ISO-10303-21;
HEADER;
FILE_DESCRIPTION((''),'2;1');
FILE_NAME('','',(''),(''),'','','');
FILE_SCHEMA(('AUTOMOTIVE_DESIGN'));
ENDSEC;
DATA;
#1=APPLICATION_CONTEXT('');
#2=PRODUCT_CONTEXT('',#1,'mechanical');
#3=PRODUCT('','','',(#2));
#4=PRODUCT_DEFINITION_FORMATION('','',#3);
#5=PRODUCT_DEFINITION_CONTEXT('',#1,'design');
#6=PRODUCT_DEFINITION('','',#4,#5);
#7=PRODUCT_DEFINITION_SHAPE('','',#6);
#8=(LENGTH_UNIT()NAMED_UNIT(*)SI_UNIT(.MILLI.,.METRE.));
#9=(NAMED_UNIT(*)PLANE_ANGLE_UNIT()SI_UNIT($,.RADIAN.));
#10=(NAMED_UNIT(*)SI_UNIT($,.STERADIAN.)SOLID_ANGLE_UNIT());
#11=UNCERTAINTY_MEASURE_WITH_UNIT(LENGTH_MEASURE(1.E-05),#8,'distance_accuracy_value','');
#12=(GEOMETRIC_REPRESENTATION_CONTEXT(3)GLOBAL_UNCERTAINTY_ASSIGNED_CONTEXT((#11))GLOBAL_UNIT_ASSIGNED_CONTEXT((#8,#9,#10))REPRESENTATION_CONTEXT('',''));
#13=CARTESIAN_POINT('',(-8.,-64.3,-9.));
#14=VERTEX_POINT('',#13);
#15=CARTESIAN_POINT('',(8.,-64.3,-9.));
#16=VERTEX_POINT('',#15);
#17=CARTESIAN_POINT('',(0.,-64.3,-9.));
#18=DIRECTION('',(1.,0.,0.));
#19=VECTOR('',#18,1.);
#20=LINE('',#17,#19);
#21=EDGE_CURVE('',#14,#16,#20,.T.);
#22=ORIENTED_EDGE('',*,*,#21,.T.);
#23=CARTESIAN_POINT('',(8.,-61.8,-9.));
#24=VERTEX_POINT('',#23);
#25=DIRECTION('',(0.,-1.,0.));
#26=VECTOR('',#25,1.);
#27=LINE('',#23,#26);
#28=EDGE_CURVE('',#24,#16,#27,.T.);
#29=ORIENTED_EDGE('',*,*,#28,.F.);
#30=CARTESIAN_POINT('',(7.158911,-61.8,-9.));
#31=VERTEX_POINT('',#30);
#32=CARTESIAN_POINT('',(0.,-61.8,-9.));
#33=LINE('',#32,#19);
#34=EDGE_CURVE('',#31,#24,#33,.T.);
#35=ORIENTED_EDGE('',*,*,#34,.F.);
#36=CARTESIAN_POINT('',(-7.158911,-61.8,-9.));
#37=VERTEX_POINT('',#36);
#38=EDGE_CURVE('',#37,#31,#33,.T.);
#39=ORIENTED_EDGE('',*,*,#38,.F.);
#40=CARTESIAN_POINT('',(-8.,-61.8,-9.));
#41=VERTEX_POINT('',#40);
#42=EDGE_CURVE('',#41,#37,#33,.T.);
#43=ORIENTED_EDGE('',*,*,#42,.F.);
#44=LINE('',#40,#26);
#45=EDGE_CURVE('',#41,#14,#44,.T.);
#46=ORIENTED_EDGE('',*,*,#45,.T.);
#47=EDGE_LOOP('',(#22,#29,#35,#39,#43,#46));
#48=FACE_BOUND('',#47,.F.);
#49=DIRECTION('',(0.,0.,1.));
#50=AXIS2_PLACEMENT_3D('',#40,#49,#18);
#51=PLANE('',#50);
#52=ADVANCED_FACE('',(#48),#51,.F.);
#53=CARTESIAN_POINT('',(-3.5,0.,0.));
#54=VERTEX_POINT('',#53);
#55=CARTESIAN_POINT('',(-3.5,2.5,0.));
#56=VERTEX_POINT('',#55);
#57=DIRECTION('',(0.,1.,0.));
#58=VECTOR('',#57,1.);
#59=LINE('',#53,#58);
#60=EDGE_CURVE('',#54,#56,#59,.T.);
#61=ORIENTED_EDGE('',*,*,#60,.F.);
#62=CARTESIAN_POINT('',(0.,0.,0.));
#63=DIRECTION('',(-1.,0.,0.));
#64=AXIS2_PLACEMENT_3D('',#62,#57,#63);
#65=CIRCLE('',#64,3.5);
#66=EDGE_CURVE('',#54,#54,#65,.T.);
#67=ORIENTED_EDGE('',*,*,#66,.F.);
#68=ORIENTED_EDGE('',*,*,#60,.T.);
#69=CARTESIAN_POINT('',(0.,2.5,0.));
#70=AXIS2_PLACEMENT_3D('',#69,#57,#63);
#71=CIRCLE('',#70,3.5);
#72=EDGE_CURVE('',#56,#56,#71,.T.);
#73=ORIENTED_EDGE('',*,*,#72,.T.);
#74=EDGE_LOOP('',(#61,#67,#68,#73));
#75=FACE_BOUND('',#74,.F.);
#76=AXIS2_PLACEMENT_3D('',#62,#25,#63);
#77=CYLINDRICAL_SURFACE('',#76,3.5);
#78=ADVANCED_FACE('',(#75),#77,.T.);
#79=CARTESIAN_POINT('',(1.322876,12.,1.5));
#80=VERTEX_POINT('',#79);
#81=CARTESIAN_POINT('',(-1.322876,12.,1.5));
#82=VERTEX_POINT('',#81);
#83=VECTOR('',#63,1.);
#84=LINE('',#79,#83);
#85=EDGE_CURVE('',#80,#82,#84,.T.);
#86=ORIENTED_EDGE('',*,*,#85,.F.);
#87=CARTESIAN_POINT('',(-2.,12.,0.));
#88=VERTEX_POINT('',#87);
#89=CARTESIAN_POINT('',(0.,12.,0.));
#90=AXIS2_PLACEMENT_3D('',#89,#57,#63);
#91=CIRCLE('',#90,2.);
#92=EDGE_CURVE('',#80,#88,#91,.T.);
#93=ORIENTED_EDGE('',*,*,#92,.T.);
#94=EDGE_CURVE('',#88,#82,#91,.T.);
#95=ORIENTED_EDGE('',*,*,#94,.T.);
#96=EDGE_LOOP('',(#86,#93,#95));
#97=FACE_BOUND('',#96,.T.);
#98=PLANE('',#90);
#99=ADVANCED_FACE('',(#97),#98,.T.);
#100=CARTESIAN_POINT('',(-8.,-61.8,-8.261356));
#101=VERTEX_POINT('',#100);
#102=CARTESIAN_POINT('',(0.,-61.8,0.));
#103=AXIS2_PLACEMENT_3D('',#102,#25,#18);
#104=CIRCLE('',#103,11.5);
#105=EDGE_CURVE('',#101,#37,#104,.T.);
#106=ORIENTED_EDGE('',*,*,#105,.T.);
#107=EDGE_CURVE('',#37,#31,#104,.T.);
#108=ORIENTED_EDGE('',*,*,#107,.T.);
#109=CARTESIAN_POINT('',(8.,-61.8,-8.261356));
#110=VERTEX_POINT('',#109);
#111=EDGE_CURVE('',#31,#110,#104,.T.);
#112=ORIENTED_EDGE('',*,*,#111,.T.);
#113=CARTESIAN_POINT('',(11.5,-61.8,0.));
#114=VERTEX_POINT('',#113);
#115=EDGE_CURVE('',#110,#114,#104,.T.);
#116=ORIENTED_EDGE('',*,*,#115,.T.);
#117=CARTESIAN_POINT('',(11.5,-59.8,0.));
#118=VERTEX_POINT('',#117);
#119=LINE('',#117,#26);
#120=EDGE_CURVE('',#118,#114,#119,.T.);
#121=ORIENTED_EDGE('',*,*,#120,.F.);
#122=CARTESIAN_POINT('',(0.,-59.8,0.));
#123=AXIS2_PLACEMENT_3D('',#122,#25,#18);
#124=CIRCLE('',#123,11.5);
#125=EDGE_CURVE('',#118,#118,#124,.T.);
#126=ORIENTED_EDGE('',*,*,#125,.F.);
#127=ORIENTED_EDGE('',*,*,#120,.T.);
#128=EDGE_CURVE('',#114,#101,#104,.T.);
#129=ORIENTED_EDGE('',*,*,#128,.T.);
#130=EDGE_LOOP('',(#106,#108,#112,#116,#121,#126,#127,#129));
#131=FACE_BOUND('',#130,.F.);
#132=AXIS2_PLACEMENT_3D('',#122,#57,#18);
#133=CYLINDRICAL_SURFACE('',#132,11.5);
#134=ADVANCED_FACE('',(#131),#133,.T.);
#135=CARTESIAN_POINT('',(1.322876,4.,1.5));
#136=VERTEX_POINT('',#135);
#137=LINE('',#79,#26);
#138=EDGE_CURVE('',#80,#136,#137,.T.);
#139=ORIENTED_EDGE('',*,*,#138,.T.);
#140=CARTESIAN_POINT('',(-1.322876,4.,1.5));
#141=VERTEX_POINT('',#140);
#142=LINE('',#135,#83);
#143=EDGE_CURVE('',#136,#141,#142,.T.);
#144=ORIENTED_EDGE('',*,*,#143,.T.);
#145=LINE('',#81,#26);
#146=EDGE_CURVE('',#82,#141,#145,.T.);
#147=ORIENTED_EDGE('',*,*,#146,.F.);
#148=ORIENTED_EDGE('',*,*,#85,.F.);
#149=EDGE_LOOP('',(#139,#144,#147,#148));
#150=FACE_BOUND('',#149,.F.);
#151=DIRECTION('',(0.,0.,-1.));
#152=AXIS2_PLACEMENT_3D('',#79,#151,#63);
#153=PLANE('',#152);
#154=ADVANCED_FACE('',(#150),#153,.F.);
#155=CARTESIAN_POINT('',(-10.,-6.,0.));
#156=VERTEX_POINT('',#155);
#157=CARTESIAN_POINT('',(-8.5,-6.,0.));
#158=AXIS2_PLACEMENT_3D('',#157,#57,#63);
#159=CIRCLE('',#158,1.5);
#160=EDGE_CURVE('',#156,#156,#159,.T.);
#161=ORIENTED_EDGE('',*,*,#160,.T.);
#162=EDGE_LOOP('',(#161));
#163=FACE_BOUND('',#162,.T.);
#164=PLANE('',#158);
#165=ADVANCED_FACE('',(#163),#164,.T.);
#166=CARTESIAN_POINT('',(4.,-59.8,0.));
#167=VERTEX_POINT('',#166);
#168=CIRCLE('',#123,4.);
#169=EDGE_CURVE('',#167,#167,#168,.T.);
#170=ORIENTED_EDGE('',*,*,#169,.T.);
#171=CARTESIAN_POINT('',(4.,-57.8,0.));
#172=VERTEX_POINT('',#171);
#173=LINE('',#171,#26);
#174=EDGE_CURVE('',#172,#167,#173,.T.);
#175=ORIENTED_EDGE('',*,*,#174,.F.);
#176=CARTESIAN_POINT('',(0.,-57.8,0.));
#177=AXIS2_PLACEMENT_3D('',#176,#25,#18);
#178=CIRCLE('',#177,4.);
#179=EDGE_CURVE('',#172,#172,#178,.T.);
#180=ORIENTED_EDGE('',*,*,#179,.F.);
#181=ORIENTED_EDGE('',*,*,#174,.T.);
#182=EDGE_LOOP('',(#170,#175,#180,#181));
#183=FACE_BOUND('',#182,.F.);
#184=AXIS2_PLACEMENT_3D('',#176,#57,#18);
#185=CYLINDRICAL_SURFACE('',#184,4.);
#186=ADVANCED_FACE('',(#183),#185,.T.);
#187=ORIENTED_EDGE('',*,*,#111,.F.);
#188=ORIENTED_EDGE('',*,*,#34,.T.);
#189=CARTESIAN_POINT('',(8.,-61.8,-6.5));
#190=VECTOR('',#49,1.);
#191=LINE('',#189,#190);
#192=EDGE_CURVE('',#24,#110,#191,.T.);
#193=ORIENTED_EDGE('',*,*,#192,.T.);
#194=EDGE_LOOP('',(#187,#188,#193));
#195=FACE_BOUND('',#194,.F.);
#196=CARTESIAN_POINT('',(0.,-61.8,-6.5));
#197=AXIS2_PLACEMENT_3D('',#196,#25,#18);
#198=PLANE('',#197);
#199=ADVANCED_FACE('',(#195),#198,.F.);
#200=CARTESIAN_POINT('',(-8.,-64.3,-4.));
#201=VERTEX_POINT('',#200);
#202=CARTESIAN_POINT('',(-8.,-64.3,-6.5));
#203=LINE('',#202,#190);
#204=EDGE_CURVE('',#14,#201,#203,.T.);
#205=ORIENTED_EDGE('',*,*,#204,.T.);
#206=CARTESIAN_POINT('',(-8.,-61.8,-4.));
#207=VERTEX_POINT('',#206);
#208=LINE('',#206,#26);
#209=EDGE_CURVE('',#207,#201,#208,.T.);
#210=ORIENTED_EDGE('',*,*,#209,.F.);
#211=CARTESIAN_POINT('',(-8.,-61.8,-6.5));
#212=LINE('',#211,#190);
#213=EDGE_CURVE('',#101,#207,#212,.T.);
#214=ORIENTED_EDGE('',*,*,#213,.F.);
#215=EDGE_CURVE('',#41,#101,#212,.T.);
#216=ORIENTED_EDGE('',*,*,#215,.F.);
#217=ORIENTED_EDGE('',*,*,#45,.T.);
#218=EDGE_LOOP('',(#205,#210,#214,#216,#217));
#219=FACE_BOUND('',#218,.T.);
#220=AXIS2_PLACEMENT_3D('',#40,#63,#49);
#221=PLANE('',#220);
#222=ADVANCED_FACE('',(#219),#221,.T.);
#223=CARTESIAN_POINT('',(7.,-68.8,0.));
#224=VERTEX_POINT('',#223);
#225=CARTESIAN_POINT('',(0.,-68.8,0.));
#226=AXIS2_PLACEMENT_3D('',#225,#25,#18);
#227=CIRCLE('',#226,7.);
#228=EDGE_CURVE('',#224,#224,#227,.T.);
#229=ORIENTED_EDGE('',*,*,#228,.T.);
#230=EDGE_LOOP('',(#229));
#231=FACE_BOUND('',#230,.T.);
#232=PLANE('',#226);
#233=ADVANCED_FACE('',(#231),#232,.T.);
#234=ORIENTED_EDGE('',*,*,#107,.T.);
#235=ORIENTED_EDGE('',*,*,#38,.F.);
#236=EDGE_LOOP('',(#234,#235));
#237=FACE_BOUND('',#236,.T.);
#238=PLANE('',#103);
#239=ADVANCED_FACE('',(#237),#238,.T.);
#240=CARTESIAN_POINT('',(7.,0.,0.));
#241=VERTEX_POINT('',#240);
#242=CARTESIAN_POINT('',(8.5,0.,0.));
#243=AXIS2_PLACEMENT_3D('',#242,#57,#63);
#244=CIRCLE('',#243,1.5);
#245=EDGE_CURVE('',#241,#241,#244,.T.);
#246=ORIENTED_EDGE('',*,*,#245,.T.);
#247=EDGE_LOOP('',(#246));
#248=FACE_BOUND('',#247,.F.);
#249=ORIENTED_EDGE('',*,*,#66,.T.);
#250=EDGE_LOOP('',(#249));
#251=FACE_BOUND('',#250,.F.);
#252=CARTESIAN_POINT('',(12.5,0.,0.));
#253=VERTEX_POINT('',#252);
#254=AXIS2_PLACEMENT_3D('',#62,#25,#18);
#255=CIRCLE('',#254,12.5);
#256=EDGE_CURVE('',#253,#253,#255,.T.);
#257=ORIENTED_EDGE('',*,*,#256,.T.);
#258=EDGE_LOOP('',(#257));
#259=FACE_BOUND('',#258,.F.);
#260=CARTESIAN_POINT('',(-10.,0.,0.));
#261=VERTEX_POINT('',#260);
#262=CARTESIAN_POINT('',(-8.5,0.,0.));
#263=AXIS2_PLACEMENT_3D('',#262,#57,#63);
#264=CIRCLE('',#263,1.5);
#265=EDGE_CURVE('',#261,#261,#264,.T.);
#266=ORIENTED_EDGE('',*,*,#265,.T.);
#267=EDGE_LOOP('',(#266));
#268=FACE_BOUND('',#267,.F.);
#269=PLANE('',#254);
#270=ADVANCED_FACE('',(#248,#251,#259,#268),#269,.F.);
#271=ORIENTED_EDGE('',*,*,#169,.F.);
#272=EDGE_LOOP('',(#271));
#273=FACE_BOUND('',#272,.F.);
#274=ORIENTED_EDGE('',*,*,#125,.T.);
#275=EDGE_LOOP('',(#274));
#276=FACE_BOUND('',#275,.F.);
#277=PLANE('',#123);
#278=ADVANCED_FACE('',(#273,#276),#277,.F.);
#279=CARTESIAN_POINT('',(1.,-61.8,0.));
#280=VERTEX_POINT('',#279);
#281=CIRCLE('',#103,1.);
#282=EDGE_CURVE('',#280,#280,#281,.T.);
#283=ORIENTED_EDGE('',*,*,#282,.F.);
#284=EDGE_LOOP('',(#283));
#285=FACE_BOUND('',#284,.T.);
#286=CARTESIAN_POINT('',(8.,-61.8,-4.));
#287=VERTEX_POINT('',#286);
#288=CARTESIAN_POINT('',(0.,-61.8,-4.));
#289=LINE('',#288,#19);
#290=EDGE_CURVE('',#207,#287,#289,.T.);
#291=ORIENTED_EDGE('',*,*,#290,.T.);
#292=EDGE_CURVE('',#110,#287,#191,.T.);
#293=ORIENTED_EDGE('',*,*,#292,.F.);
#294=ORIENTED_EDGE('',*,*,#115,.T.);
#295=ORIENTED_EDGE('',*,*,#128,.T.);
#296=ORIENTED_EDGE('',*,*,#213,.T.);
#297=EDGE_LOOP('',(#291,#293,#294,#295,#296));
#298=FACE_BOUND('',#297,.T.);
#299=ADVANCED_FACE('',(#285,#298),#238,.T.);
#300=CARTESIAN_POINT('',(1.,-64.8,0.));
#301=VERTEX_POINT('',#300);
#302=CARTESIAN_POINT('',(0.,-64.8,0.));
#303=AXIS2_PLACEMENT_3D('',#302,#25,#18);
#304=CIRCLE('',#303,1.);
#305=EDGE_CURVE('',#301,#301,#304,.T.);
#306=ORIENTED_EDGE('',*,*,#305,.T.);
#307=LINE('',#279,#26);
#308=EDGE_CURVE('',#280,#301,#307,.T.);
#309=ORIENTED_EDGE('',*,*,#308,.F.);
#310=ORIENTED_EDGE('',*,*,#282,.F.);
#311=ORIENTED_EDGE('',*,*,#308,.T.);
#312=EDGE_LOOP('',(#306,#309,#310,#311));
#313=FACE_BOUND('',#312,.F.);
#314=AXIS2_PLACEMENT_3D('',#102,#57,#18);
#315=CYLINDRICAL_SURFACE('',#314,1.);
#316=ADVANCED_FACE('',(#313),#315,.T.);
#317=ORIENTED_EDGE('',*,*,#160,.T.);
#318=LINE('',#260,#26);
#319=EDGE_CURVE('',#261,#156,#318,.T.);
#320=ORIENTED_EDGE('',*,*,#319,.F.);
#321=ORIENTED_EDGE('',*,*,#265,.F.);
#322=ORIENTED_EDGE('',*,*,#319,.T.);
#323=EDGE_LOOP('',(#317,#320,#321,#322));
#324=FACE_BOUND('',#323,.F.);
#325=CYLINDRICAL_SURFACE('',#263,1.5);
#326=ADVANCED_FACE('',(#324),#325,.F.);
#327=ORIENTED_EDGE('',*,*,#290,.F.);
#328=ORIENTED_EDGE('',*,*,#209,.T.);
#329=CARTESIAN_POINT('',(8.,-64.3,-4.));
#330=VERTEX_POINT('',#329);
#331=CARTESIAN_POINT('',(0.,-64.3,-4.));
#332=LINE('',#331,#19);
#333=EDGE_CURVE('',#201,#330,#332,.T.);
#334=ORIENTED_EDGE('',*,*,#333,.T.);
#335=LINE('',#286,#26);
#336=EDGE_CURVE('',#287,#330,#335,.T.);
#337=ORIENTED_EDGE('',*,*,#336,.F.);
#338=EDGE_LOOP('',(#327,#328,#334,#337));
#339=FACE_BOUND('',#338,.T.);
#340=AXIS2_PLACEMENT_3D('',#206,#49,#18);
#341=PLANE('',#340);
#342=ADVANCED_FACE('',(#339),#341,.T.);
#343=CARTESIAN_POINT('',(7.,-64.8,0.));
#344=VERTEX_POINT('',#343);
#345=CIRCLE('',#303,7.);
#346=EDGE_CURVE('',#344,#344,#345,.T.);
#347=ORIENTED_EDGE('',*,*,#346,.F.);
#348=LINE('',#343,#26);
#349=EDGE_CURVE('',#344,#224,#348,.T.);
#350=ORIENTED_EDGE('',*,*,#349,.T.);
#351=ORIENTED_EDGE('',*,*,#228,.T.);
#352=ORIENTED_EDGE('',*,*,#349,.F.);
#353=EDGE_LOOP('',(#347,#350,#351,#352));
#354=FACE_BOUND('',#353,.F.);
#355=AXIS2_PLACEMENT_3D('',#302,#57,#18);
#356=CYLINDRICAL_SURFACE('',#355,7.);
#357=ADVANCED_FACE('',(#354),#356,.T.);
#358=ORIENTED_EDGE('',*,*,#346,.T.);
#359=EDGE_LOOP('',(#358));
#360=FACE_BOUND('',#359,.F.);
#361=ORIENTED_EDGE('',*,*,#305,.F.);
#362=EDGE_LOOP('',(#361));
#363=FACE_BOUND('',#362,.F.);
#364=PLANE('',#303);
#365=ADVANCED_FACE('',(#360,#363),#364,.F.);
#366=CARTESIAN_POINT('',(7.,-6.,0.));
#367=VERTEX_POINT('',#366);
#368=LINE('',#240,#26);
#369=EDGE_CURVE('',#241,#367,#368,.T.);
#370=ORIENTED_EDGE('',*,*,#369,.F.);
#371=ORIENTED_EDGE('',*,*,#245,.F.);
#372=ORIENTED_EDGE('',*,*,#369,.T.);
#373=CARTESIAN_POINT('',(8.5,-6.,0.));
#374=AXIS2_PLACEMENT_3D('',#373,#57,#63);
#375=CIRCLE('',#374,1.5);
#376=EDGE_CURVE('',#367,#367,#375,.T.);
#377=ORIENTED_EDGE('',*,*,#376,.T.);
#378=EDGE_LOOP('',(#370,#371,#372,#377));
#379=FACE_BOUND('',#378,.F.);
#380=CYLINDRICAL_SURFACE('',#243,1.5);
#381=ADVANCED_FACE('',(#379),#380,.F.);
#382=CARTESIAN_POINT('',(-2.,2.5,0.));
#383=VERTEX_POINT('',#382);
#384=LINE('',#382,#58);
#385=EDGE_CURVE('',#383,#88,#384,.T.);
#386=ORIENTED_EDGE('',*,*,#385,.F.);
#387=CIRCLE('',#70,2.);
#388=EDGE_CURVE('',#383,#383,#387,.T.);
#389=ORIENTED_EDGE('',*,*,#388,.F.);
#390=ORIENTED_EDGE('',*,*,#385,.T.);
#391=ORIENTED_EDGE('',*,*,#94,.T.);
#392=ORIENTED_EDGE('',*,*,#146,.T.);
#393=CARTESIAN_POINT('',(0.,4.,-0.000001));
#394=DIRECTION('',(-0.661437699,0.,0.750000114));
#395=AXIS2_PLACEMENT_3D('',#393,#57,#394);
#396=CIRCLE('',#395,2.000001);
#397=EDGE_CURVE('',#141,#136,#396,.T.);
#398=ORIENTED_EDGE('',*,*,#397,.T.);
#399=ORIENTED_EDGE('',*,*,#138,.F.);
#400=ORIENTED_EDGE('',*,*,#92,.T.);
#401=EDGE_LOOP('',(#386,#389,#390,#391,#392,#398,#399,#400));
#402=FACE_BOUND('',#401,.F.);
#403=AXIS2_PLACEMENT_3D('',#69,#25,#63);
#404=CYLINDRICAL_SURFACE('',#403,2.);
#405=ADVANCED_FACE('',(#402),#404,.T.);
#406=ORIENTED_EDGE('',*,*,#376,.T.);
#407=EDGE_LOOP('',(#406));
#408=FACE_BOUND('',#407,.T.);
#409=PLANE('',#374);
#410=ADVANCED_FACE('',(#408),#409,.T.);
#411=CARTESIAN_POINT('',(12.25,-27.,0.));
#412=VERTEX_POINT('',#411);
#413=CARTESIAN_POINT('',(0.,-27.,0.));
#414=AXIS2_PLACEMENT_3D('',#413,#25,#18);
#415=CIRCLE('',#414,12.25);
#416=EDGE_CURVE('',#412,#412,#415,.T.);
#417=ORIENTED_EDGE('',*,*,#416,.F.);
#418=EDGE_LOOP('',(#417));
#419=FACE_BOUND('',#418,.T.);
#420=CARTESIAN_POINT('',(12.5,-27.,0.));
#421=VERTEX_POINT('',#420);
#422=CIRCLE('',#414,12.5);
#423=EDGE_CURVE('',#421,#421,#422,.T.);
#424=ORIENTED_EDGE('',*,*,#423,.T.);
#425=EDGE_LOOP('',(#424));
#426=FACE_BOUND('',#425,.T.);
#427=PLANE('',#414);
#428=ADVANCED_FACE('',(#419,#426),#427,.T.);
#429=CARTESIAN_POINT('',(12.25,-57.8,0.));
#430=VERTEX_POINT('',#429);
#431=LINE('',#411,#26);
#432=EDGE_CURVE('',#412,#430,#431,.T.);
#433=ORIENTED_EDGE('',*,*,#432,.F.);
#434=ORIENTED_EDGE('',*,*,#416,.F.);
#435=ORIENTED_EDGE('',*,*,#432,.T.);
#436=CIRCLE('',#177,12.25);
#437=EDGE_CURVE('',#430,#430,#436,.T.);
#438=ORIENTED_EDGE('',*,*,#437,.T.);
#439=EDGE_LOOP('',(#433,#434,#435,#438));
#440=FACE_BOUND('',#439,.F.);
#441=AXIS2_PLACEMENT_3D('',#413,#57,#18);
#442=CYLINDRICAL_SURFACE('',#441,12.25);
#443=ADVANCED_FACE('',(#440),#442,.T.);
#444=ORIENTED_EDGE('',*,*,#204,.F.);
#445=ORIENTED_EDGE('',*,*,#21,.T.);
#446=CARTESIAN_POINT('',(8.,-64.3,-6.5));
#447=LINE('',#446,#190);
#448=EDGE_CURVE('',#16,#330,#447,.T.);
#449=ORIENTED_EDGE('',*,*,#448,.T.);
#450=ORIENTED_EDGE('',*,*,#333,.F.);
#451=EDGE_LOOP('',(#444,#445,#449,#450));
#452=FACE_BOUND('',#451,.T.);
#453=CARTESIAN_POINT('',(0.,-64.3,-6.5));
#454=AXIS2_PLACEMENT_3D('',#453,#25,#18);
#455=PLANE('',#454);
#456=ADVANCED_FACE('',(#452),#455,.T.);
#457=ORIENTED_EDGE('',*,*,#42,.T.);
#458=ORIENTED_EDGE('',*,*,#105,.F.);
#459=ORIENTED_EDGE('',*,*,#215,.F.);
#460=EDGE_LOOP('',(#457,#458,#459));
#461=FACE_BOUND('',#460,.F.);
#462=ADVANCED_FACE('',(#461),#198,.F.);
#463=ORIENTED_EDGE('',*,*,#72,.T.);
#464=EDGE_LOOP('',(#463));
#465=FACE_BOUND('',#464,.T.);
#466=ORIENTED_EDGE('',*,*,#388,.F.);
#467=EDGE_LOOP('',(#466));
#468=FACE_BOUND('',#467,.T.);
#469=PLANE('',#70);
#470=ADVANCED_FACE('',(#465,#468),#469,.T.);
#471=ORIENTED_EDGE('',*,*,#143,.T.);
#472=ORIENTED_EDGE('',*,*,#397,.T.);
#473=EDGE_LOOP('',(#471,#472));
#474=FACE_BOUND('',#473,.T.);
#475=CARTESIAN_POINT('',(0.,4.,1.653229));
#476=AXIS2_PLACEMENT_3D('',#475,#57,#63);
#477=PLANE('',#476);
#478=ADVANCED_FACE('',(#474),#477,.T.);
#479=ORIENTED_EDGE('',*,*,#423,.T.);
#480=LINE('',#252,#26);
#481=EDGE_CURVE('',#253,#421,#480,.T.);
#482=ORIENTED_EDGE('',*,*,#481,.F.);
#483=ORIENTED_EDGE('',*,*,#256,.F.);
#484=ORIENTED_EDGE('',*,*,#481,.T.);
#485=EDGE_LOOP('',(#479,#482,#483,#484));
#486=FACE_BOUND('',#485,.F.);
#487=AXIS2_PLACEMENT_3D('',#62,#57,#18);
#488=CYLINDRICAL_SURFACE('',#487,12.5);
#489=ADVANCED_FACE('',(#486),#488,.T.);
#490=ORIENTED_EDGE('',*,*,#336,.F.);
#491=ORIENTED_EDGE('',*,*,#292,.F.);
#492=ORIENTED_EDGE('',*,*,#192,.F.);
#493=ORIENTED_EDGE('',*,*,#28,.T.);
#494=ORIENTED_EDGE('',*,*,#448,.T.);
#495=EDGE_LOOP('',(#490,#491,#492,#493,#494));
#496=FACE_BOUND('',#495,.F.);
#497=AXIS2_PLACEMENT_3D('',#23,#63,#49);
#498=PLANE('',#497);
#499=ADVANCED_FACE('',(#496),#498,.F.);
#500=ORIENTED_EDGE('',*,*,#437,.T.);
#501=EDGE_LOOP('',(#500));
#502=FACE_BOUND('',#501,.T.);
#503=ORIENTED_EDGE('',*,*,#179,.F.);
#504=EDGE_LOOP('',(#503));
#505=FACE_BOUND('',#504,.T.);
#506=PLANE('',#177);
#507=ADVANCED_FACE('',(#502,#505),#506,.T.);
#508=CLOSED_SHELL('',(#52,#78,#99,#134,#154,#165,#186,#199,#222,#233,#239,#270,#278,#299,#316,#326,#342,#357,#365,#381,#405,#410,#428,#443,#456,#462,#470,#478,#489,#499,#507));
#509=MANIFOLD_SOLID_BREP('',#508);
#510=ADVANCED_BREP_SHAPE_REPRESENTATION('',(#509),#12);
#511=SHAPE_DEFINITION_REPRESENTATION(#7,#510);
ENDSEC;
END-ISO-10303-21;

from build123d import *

# Parameters (mm, degrees)
F0_R      = 12.5
F1_DEPTH  = 27
F2_R      = 12.25
F3_DEPTH  = 30.8
F4_R      = 3.5
F5_DEPTH  = 2.5
F6_R      = 2
F7_DEPTH  = 9.5
F9_DEPTH  = 8
F10_R     = 1.5
F11_DEPTH = 6
F12_R     = 4
F13_DEPTH = 2
F14_R     = 11.5
F15_DEPTH = 2
F16_R     = 1
F17_DEPTH = 3
F18_R     = 7
F19_DEPTH = 4
F20_W     = 16
F20_H     = 5
F21_DEPTH = 2.5


with BuildPart() as f1:
    # F0 (on Front) → F1 (new body)
    with BuildSketch(Plane.XZ):
        Circle(F0_R)
    extrude(amount=F1_DEPTH)

    # F2 (on face) → F3 (join)
    with BuildSketch(Plane.XZ.offset(27)):
        Circle(F2_R)
    extrude(amount=F3_DEPTH)

    # F4 (on face) → F5 (join)
    with BuildSketch(Plane(origin=(0, 0, 0), x_dir=(-1, 0, 0), z_dir=(0, 1, 0))):
        Circle(F4_R)
    extrude(amount=F5_DEPTH)

    # F6 (on face) → F7 (join)
    with BuildSketch(Plane(origin=(0, 2.5, 0), x_dir=(-1, 0, 0), z_dir=(0, 1, 0))):
        Circle(F6_R)
    extrude(amount=F7_DEPTH)

    # F8 (on face) → F9 (cut)
    with BuildSketch(Plane(origin=(0, 12, 0), x_dir=(-1, 0, 0), z_dir=(0, 1, 0))):
        with BuildLine():
            ThreePointArc((1.322876, 1.5), (0, 2), (-1.322876, 1.5))
            Line((-1.322876, 1.5), (1.322876, 1.5))
        make_face()
    extrude(amount=-F9_DEPTH, mode=Mode.SUBTRACT)

    # F10 (on face) → F11 (cut)
    with BuildSketch(Plane(origin=(0, 0, 0), x_dir=(-1, 0, 0), z_dir=(0, 1, 0))):
        with Locations((8.5, 0)):
            Circle(F10_R)
        with Locations((-8.5, 0)):
            Circle(F10_R)
    extrude(amount=-F11_DEPTH, mode=Mode.SUBTRACT)

    # F12 (on face) → F13 (join)
    with BuildSketch(Plane.XZ.offset(57.8)):
        Circle(F12_R)
    extrude(amount=F13_DEPTH)

    # F14 (on face) → F15 (join)
    with BuildSketch(Plane.XZ.offset(59.8)):
        Circle(F14_R)
    extrude(amount=F15_DEPTH)

    # F16 (on face) → F17 (join)
    with BuildSketch(Plane.XZ.offset(61.8)):
        Circle(F16_R)
    extrude(amount=F17_DEPTH)

    # F18 (on face) → F19 (join)
    with BuildSketch(Plane.XZ.offset(64.8)):
        Circle(F18_R)
    extrude(amount=F19_DEPTH)

    # F20 (on face) → F21 (join)
    with BuildSketch(Plane.XZ.offset(61.8)):
        with Locations((0, -6.5)):
            Rectangle(F20_W, F20_H)
    extrude(amount=F21_DEPTH)


solid = f1.part
